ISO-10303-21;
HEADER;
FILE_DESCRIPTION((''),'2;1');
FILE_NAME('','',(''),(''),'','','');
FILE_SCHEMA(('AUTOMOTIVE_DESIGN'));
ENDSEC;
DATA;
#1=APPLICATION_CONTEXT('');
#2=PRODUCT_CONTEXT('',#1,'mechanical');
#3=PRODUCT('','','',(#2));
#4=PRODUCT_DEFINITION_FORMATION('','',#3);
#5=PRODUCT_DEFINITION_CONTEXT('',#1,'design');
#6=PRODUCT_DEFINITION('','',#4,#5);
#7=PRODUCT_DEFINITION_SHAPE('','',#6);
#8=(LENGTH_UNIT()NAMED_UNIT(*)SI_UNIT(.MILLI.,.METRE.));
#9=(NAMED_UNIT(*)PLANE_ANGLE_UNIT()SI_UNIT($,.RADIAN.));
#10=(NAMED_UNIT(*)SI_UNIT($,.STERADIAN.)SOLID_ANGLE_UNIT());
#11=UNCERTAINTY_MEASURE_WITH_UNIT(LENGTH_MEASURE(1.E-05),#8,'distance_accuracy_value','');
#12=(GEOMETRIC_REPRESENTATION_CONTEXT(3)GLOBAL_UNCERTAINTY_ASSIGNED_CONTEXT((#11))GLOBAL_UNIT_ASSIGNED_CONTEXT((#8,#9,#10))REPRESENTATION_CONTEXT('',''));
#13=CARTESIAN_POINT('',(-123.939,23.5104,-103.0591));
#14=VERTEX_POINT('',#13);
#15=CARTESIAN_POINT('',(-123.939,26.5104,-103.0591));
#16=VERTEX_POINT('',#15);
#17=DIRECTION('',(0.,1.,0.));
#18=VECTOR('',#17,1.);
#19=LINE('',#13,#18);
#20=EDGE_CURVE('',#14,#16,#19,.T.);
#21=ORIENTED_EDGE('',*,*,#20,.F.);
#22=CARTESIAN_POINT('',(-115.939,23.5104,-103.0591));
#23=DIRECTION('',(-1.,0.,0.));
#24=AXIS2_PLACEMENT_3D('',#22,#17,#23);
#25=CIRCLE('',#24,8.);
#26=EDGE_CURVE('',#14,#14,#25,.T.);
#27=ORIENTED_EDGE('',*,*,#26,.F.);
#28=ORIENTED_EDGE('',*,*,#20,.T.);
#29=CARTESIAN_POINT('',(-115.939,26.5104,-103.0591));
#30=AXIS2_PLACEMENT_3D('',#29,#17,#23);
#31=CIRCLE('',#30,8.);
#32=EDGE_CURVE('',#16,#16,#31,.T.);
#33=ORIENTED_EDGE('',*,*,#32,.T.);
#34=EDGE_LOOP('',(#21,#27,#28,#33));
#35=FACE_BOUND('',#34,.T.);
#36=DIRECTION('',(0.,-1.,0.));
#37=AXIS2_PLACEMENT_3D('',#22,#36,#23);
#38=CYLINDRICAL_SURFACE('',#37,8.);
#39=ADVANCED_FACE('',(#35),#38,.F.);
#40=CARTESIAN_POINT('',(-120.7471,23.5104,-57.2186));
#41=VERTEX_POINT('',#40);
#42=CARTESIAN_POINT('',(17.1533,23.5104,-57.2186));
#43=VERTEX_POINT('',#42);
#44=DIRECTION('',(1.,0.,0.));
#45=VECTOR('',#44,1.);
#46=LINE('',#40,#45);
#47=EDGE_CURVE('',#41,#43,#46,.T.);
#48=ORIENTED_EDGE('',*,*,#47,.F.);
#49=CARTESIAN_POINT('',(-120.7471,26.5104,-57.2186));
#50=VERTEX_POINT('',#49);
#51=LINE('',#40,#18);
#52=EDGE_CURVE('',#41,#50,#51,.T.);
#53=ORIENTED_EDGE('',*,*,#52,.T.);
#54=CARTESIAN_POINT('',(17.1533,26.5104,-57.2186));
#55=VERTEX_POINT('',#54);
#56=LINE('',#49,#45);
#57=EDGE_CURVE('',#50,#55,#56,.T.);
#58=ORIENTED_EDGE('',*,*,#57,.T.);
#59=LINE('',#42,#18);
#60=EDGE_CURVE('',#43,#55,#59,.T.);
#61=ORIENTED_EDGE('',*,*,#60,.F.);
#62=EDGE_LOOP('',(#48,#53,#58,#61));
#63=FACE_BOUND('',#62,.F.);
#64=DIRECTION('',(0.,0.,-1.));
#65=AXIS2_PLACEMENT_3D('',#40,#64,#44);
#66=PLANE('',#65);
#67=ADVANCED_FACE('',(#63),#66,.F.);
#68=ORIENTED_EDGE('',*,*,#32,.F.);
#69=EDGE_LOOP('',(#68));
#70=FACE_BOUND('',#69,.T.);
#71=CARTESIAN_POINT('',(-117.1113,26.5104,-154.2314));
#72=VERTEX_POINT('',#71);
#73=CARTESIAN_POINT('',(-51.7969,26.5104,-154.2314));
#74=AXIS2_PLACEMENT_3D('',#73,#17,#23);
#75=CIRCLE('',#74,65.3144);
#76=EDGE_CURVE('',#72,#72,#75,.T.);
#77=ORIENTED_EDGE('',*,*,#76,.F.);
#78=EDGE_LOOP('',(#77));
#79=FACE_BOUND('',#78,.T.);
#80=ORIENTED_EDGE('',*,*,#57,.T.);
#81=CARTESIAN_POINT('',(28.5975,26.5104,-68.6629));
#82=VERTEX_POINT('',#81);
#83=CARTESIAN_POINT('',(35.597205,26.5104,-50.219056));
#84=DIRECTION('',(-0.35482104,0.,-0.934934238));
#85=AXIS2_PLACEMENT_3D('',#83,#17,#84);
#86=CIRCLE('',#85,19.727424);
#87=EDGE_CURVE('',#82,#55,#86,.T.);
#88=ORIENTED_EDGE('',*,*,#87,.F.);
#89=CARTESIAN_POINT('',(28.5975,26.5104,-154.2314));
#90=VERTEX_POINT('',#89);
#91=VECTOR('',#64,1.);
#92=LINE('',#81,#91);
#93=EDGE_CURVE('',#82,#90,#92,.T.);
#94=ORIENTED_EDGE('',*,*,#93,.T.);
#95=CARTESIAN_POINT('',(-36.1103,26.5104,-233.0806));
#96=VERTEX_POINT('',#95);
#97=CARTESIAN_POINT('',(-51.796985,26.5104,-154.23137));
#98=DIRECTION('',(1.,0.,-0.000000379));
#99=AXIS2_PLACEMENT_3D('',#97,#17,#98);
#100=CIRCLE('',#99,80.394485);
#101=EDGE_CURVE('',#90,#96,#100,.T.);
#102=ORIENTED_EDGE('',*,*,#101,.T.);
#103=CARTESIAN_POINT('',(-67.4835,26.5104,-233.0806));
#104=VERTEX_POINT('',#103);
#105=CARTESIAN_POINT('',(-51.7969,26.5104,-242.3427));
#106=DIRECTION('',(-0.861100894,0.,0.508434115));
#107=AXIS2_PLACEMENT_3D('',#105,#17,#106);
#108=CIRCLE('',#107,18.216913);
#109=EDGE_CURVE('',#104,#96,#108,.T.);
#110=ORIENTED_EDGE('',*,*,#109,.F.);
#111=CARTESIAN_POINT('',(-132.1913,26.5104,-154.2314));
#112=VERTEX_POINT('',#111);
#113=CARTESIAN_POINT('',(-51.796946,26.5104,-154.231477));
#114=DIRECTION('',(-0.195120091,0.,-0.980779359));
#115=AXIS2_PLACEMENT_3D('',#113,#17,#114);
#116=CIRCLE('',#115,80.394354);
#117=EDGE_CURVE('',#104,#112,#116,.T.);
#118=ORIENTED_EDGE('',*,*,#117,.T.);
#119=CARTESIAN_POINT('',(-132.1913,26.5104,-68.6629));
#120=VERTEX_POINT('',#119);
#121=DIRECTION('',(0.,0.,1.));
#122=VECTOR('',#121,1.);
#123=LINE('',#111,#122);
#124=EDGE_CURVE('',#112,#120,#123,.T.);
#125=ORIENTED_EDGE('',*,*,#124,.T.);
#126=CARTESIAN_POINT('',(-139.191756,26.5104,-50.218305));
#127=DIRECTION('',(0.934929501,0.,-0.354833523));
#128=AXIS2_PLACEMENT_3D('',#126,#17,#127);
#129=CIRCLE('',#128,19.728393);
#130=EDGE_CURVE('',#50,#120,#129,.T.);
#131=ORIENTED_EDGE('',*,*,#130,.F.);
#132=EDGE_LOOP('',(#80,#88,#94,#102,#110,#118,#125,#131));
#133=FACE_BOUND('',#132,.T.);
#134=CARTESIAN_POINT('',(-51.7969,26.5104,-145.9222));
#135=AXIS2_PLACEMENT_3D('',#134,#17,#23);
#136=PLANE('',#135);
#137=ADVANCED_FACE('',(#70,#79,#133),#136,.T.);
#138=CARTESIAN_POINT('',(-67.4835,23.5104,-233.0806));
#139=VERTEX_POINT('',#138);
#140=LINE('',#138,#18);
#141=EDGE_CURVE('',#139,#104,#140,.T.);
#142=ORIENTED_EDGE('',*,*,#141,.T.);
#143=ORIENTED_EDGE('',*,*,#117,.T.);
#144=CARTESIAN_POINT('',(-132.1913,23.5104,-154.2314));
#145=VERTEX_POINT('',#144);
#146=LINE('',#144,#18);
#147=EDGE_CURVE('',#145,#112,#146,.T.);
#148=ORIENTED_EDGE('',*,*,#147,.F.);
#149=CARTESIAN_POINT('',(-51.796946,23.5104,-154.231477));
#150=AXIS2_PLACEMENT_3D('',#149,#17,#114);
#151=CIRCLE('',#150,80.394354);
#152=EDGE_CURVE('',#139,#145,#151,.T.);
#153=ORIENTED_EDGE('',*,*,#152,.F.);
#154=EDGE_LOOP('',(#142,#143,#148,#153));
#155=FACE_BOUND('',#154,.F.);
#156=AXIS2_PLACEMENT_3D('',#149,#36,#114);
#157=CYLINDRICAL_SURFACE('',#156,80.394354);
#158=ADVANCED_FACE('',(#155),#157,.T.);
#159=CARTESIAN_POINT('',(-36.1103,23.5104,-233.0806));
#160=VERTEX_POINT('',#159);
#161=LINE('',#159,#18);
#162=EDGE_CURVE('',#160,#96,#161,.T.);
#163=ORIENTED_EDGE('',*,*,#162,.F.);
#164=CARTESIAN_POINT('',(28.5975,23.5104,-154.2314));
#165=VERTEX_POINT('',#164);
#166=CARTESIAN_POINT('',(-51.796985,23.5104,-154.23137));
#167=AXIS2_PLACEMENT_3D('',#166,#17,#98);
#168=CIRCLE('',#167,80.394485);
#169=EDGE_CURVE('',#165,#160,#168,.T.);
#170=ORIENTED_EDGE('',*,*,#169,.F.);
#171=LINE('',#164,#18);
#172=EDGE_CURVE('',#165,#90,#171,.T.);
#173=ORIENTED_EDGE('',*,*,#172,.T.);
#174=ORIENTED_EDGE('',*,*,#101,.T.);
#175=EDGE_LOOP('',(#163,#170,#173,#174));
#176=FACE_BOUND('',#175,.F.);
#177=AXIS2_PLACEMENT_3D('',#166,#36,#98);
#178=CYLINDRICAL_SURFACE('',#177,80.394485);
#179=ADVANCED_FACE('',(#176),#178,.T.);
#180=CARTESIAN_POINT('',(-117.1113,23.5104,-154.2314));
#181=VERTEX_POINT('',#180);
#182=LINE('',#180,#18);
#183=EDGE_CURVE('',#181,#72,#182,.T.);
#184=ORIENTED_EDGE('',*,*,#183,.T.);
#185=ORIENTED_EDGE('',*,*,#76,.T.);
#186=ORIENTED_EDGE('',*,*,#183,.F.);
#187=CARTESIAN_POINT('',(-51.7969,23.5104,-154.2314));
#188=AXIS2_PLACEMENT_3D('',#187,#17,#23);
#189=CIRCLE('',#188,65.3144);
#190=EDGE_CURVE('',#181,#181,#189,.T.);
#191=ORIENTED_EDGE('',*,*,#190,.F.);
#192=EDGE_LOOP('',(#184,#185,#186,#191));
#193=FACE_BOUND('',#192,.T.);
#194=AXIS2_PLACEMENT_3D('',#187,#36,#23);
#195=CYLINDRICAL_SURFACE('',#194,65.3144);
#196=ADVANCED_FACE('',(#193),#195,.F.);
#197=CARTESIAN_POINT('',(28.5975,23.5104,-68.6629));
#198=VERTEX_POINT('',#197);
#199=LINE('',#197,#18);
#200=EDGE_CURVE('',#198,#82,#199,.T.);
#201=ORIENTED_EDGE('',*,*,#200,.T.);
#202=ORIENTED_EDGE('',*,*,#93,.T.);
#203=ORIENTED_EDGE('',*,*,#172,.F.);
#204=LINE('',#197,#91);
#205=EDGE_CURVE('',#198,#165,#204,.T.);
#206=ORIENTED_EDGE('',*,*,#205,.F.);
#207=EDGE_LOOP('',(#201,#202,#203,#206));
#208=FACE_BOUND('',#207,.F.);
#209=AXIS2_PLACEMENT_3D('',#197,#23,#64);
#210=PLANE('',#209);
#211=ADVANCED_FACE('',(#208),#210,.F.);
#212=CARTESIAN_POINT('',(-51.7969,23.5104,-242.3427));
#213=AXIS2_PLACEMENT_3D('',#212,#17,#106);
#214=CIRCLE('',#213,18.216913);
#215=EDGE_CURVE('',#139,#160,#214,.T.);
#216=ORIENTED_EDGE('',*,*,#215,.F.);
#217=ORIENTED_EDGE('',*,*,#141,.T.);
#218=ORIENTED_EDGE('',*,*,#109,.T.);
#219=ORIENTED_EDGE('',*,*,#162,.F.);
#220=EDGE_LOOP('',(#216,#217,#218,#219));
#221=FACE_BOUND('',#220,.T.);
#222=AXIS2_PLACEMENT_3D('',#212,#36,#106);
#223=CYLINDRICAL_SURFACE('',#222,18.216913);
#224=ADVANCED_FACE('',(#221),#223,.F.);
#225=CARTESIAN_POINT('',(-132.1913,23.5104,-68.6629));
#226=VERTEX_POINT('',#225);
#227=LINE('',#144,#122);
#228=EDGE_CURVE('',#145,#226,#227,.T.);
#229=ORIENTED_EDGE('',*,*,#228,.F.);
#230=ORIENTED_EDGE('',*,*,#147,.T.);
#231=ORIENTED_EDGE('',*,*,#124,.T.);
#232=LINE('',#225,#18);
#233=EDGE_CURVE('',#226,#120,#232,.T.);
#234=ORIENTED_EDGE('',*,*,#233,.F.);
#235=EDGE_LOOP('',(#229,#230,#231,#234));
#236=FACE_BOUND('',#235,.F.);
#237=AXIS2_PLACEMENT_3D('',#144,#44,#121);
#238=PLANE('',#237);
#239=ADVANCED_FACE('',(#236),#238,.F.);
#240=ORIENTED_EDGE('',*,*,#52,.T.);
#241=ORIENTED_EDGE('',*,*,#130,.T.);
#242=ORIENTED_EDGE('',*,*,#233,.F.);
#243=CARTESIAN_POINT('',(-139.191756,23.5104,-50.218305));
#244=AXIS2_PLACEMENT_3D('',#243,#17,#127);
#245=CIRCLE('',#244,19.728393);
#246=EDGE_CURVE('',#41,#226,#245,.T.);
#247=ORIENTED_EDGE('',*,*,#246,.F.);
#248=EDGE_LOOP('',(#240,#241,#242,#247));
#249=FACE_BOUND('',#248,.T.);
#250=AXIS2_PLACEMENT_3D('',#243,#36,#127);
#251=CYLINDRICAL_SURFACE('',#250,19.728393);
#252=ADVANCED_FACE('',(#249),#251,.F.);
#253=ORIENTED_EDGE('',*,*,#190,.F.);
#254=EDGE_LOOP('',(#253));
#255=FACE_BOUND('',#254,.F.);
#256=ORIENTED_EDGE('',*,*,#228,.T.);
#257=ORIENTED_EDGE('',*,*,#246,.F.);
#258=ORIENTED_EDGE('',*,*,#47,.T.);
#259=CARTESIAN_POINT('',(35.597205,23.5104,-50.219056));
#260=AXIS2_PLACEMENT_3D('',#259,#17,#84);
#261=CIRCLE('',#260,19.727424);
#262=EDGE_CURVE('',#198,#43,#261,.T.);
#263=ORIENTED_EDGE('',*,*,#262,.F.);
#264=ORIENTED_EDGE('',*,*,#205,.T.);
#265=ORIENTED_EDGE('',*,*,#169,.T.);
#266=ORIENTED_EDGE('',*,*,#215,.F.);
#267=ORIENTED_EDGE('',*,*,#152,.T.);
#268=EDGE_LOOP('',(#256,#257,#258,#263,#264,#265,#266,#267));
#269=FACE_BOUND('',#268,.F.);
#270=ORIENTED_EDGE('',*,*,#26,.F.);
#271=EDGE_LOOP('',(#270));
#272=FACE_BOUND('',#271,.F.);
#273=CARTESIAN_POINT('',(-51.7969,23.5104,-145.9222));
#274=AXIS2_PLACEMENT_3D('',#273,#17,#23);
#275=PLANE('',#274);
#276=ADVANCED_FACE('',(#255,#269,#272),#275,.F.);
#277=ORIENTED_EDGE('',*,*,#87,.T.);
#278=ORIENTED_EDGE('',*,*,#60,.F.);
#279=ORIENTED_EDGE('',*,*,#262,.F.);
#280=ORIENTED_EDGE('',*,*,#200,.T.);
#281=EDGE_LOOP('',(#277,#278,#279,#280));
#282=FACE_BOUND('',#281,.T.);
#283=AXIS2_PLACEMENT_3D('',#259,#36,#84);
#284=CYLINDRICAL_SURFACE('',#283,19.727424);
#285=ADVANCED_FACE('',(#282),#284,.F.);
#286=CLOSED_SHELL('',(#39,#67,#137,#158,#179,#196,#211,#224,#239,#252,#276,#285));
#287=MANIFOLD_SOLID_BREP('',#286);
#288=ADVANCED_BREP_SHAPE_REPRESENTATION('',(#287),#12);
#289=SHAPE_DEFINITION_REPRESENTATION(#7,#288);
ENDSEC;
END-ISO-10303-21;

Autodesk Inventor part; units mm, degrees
ref_plane "YZ Plane" through (0, 0, 0) normal (1, 0, 0) x (0, 1, 0)
ref_plane "XZ Plane" through (0, 0, 0) normal (0, 1, 0) x (-1, 0, 0)
ref_plane "XY Plane" through (0, 0, 0) normal (0, 0, 1) x (1, 0, 0)
ref_plane "Work Plane1" through (-51.7969, 23.5104, -145.9222) normal (0, 1, 0) x (-1, 0, 0)
sketch "Sketch1" plane through (-51.7969, 23.5104, -145.9222) normal (0, 1, 0) x (-1, 0, 0)
  circle A0 centre (64.1421, 42.8631) radius 8 projected
  circle A1 centre (0, -8.3092) radius 65.3144 projected
  line L0 (80.3944, -8.3092) -> (80.3944, 77.2593) projected
  arc A2 (68.9502, 88.7036) -> (80.3944, 77.2593) centre (87.3944, 95.7036) ccw projected
  line L1 (68.9502, 88.7036) -> (-68.9502, 88.7036) projected
  arc A3 (-80.3944, 77.2593) -> (-68.9502, 88.7036) centre (-87.3944, 95.7036) ccw projected
  line L2 (-80.3944, 77.2593) -> (-80.3944, -8.3092) projected
  arc A4 (-80.3944, -8.3092) -> (-15.6866, -87.1584) centre (0, -8.3092) ccw projected
  arc A5 (15.6866, -87.1584) -> (-15.6866, -87.1584) centre (0, -96.4205) ccw projected
  arc A6 (15.6866, -87.1584) -> (80.3944, -8.3092) centre (0, -8.3092) ccw projected
  point P0 (-51.7969, 145.9222)
extrude "Extrusion1" add sketch "Sketch1" along normal blind 3
properties part number "pcb"
